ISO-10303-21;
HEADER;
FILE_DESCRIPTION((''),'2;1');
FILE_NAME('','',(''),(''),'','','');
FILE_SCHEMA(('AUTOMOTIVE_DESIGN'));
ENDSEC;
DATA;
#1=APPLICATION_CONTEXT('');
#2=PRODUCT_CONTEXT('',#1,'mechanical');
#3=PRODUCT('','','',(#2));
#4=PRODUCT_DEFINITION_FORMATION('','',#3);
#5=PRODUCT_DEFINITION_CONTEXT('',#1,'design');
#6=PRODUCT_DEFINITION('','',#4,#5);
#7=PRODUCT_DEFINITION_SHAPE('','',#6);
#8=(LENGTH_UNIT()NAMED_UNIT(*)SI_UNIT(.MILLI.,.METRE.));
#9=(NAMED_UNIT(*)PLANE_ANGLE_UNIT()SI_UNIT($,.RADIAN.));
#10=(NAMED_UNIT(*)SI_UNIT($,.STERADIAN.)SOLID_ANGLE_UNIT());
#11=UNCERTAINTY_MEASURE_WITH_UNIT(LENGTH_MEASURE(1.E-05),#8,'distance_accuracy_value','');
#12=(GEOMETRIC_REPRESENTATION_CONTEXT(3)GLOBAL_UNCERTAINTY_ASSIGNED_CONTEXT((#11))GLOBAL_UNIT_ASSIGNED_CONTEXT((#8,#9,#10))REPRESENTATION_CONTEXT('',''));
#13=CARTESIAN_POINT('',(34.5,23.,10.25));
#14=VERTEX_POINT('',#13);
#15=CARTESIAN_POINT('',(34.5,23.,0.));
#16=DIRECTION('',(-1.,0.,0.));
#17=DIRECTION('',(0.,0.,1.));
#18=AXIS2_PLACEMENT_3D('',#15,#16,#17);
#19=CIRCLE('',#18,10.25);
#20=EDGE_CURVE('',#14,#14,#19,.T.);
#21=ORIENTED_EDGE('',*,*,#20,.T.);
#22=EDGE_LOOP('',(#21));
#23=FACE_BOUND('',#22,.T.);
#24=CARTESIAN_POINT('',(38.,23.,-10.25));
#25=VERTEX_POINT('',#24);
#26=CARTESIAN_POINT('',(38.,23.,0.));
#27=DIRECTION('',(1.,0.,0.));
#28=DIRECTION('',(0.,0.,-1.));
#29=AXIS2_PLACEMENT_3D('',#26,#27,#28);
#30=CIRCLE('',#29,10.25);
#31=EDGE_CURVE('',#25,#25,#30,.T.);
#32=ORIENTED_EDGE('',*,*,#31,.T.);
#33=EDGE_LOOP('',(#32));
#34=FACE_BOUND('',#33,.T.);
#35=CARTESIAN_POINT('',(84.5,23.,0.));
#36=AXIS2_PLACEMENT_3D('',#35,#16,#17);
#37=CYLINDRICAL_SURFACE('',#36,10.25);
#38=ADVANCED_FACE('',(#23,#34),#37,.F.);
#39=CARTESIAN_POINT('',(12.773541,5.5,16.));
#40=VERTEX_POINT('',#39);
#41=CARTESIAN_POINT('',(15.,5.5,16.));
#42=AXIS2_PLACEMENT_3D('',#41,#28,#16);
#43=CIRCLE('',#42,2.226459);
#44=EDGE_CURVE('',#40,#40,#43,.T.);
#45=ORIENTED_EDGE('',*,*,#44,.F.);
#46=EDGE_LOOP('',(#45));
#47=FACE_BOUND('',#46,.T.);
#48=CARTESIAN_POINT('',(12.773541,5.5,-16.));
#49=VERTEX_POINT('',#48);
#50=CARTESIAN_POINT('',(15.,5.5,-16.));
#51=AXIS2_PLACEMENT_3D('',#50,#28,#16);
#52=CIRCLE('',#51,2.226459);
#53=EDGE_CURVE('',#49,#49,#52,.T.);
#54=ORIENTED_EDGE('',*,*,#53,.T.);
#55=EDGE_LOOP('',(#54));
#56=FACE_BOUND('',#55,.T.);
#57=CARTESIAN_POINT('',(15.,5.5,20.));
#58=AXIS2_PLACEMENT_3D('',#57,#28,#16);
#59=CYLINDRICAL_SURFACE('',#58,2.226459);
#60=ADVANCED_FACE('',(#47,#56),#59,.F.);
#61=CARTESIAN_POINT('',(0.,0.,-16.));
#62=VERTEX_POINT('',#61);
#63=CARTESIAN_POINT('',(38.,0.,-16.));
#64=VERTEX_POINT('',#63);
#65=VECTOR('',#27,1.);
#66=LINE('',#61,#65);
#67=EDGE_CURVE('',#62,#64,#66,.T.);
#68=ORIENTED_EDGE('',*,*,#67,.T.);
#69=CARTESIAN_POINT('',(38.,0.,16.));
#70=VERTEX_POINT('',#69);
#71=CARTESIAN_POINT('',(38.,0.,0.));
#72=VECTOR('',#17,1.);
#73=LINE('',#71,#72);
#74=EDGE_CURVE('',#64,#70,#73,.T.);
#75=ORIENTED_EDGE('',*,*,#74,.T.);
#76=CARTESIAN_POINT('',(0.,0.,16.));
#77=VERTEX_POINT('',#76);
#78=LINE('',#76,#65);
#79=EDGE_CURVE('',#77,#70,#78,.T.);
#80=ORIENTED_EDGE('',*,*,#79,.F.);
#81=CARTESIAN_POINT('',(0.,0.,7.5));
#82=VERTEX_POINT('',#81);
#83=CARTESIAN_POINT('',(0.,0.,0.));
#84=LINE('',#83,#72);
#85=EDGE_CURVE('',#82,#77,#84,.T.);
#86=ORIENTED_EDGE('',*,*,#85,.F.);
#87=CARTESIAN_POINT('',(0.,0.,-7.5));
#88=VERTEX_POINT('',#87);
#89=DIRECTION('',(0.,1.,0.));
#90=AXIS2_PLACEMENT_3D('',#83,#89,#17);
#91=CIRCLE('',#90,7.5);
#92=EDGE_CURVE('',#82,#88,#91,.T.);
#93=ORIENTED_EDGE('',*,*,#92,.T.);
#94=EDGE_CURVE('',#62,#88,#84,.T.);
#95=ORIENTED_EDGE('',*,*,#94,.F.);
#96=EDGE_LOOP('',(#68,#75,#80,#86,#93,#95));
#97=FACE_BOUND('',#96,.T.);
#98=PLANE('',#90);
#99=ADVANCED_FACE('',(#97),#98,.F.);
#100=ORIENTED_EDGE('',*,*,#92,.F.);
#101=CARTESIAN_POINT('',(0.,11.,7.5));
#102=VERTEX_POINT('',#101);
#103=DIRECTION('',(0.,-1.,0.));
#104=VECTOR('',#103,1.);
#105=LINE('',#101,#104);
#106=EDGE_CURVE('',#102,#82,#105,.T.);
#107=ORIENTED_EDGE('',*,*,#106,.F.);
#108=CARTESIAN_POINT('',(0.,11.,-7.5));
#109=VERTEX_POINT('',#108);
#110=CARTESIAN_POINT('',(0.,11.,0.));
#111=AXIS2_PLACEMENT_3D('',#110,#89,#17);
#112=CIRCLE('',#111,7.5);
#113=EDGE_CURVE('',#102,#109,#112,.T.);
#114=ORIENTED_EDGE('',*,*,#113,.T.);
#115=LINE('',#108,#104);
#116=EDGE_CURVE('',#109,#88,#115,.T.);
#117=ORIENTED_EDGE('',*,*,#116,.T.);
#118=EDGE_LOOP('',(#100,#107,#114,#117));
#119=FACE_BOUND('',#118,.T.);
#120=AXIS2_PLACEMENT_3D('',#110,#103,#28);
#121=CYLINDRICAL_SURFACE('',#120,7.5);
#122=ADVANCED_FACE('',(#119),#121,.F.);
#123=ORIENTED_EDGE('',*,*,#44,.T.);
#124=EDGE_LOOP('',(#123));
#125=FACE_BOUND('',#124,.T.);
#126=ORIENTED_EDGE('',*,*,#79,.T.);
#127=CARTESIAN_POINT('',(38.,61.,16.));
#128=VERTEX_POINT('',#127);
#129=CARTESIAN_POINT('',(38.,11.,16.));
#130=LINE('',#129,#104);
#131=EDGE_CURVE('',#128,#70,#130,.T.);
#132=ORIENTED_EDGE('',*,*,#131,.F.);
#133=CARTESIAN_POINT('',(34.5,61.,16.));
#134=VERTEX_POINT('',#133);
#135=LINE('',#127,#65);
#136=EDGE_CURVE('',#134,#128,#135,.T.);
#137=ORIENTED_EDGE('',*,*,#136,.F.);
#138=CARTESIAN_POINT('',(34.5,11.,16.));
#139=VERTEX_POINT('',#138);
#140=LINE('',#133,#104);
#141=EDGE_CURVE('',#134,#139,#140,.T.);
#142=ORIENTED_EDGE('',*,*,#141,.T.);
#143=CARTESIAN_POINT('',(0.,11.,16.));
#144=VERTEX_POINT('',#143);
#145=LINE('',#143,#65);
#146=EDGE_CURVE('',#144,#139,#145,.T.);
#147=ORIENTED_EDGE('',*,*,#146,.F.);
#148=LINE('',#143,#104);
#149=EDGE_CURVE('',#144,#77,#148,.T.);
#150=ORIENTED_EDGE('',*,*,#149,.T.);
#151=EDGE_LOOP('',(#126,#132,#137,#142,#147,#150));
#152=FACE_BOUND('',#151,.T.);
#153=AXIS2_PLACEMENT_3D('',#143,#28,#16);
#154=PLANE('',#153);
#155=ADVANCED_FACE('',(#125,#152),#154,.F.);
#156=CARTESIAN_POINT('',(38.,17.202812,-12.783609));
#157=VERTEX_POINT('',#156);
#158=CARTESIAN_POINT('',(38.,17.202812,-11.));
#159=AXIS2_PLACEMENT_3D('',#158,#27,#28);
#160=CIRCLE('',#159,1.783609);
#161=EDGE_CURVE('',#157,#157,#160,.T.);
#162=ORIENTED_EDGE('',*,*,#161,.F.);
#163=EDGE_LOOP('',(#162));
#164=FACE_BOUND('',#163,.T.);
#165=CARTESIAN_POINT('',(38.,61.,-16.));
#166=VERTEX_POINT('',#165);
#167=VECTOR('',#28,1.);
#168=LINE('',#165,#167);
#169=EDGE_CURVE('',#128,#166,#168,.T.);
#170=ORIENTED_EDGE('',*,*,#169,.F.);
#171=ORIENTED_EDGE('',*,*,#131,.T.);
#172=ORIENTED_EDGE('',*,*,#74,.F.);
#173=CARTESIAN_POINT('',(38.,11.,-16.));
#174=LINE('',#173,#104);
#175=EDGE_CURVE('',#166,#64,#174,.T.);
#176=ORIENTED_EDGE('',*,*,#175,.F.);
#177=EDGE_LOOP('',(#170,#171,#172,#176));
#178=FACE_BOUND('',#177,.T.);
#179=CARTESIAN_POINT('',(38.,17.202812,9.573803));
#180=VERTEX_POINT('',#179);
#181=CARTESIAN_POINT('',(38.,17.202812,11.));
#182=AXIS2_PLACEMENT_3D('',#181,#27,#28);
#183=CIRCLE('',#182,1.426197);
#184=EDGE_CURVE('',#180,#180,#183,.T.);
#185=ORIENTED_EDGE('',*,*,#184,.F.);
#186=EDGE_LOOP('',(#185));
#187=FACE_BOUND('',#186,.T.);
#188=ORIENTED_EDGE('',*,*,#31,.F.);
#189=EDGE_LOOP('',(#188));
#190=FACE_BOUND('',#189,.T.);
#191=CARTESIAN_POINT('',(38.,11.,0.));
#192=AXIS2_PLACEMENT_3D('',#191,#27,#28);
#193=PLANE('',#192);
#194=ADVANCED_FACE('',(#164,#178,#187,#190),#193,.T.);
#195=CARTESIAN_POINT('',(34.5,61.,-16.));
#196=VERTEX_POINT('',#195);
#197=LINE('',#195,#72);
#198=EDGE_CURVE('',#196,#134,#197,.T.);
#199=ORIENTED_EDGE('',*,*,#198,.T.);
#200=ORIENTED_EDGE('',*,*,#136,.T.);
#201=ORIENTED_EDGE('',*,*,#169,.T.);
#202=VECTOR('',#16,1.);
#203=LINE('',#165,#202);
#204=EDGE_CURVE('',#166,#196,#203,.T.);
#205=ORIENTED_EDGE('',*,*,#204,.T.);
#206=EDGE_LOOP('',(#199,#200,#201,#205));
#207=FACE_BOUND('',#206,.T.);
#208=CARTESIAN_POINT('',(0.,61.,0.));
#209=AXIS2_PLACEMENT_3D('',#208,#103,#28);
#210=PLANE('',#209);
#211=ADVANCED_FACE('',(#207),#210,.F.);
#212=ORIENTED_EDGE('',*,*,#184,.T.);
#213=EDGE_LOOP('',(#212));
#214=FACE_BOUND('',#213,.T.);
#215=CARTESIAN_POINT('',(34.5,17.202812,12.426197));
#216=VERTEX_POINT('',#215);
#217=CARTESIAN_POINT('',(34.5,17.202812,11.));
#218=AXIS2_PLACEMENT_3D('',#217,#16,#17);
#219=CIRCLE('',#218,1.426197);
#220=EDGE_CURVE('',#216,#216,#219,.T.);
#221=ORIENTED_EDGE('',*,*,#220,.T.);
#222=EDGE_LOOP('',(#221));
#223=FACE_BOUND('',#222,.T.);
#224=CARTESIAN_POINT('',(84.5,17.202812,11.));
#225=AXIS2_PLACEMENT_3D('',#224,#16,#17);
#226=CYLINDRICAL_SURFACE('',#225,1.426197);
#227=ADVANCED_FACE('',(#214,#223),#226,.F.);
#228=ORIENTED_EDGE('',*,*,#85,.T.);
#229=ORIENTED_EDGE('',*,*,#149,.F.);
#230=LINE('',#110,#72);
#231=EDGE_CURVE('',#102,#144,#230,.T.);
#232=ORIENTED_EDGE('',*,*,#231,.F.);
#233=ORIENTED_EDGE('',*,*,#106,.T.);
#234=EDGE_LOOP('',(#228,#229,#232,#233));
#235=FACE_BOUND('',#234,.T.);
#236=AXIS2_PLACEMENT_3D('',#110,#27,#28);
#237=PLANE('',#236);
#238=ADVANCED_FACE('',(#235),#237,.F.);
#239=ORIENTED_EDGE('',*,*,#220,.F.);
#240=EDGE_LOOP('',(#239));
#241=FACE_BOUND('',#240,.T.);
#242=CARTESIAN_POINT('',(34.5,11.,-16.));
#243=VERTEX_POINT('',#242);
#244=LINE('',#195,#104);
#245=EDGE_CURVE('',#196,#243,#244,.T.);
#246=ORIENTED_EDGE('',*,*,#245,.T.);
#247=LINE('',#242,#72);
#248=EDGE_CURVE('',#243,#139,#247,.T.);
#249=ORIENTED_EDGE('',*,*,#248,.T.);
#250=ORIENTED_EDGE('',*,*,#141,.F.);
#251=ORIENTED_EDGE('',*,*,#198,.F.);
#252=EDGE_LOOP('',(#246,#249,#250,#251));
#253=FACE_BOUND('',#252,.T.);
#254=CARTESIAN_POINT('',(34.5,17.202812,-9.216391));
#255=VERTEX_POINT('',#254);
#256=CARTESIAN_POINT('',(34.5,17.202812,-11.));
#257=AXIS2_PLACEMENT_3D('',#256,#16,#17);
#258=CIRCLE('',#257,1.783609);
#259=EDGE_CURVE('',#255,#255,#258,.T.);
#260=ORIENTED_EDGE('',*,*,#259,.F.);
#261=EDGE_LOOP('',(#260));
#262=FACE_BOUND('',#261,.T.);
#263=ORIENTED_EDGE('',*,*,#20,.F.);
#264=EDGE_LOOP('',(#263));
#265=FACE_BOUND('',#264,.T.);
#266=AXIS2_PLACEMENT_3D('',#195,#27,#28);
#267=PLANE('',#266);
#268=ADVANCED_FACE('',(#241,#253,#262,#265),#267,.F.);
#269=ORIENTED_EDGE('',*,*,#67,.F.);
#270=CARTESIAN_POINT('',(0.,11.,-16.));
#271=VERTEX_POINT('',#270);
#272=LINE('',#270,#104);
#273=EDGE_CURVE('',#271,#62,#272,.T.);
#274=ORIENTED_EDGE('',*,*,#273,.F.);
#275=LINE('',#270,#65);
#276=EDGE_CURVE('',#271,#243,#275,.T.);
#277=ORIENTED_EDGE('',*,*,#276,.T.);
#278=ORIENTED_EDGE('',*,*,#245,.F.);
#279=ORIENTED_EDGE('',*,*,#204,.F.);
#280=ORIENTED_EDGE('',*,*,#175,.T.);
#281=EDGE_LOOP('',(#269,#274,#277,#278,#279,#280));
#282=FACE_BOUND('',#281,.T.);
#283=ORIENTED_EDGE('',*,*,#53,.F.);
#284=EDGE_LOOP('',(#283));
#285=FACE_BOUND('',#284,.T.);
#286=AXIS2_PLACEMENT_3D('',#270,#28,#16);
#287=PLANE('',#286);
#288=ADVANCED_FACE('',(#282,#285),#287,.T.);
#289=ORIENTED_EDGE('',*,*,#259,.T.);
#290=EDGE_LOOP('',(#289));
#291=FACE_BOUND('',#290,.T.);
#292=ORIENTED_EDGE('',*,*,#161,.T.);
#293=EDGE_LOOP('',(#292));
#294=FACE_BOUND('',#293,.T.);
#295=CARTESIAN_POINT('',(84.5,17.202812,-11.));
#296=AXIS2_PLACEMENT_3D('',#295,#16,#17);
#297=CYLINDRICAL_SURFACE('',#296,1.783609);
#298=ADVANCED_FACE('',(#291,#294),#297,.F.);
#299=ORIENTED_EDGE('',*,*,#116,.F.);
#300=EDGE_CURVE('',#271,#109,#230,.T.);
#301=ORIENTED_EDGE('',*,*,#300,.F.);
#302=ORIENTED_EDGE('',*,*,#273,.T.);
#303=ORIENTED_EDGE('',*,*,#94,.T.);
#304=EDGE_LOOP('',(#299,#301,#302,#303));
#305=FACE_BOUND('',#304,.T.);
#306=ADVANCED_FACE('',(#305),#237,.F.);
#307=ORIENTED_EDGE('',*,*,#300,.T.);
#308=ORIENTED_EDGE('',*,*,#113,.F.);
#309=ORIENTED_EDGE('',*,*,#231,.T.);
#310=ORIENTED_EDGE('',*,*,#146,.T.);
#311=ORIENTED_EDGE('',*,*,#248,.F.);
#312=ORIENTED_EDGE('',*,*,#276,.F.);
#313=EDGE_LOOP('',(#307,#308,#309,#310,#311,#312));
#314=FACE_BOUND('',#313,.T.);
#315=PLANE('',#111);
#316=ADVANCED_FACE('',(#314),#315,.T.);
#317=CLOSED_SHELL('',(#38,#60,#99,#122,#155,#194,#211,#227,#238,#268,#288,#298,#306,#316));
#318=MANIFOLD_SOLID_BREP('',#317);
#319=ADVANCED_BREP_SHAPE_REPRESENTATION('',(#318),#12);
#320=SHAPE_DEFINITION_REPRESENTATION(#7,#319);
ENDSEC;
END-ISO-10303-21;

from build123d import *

# Parameters (mm, degrees)
BOSS_EXTRUDE1_DEPTH = 11
SKETCH2_W           = 3.5
SKETCH2_H           = 32
BOSS_EXTRUDE2_DEPTH = 50
SKETCH3_R           = 10.25
SKETCH3_R_2         = 1.783609491
SKETCH3_R_3         = 1.426196869
CUT_EXTRUDE1_DEPTH  = 50
SKETCH4_R           = 2.22645949
CUT_EXTRUDE2_DEPTH  = 36


with BuildPart() as part:
    # Sketch1 → Boss-Extrude1 (new body)
    with BuildSketch(Plane(origin=(0, 0, 0), x_dir=(1, 0, 0), z_dir=(0, 1, 0))):
        with BuildLine():
            Line((38, 16), (0, 16))
            Line((0, 16), (0, 7.5))
            ThreePointArc((0, 7.5), (5.303300859, 5.303300859), (7.5, 0))
            ThreePointArc((7.5, 0), (5.303300859, -5.303300859), (0, -7.5))
            Line((0, -7.5), (0, -16))
            Line((0, -16), (38, -16))
            Line((38, -16), (38, 16))
        make_face()
    extrude(amount=BOSS_EXTRUDE1_DEPTH)

    # Sketch2 → Boss-Extrude2 (add)
    with BuildSketch(Plane(origin=(0, 11, 0), x_dir=(1, 0, 0), z_dir=(0, 1, 0))):
        with Locations((36.25, 0)):
            Rectangle(SKETCH2_W, SKETCH2_H)
    extrude(amount=BOSS_EXTRUDE2_DEPTH)

    # Sketch3 → Cut-Extrude1 (cut)
    with BuildSketch(Plane.ZY.offset(-34.5)):
        with Locations((0, 23)):
            Circle(SKETCH3_R)
        with Locations((-11, 17.202811543)):
            Circle(SKETCH3_R_2)
        with Locations((11, 17.202811543)):
            Circle(SKETCH3_R_3)
    extrude(amount=-CUT_EXTRUDE1_DEPTH, mode=Mode.SUBTRACT)

    # Sketch4 → Cut-Extrude2 (cut)
    with BuildSketch(Plane(origin=(0, 0, -16), x_dir=(-1, 0, 0), z_dir=(0, 0, -1))):
        with Locations((-15, 5.5)):
            Circle(SKETCH4_R)
    extrude(amount=-CUT_EXTRUDE2_DEPTH, mode=Mode.SUBTRACT)


solid = part.part
